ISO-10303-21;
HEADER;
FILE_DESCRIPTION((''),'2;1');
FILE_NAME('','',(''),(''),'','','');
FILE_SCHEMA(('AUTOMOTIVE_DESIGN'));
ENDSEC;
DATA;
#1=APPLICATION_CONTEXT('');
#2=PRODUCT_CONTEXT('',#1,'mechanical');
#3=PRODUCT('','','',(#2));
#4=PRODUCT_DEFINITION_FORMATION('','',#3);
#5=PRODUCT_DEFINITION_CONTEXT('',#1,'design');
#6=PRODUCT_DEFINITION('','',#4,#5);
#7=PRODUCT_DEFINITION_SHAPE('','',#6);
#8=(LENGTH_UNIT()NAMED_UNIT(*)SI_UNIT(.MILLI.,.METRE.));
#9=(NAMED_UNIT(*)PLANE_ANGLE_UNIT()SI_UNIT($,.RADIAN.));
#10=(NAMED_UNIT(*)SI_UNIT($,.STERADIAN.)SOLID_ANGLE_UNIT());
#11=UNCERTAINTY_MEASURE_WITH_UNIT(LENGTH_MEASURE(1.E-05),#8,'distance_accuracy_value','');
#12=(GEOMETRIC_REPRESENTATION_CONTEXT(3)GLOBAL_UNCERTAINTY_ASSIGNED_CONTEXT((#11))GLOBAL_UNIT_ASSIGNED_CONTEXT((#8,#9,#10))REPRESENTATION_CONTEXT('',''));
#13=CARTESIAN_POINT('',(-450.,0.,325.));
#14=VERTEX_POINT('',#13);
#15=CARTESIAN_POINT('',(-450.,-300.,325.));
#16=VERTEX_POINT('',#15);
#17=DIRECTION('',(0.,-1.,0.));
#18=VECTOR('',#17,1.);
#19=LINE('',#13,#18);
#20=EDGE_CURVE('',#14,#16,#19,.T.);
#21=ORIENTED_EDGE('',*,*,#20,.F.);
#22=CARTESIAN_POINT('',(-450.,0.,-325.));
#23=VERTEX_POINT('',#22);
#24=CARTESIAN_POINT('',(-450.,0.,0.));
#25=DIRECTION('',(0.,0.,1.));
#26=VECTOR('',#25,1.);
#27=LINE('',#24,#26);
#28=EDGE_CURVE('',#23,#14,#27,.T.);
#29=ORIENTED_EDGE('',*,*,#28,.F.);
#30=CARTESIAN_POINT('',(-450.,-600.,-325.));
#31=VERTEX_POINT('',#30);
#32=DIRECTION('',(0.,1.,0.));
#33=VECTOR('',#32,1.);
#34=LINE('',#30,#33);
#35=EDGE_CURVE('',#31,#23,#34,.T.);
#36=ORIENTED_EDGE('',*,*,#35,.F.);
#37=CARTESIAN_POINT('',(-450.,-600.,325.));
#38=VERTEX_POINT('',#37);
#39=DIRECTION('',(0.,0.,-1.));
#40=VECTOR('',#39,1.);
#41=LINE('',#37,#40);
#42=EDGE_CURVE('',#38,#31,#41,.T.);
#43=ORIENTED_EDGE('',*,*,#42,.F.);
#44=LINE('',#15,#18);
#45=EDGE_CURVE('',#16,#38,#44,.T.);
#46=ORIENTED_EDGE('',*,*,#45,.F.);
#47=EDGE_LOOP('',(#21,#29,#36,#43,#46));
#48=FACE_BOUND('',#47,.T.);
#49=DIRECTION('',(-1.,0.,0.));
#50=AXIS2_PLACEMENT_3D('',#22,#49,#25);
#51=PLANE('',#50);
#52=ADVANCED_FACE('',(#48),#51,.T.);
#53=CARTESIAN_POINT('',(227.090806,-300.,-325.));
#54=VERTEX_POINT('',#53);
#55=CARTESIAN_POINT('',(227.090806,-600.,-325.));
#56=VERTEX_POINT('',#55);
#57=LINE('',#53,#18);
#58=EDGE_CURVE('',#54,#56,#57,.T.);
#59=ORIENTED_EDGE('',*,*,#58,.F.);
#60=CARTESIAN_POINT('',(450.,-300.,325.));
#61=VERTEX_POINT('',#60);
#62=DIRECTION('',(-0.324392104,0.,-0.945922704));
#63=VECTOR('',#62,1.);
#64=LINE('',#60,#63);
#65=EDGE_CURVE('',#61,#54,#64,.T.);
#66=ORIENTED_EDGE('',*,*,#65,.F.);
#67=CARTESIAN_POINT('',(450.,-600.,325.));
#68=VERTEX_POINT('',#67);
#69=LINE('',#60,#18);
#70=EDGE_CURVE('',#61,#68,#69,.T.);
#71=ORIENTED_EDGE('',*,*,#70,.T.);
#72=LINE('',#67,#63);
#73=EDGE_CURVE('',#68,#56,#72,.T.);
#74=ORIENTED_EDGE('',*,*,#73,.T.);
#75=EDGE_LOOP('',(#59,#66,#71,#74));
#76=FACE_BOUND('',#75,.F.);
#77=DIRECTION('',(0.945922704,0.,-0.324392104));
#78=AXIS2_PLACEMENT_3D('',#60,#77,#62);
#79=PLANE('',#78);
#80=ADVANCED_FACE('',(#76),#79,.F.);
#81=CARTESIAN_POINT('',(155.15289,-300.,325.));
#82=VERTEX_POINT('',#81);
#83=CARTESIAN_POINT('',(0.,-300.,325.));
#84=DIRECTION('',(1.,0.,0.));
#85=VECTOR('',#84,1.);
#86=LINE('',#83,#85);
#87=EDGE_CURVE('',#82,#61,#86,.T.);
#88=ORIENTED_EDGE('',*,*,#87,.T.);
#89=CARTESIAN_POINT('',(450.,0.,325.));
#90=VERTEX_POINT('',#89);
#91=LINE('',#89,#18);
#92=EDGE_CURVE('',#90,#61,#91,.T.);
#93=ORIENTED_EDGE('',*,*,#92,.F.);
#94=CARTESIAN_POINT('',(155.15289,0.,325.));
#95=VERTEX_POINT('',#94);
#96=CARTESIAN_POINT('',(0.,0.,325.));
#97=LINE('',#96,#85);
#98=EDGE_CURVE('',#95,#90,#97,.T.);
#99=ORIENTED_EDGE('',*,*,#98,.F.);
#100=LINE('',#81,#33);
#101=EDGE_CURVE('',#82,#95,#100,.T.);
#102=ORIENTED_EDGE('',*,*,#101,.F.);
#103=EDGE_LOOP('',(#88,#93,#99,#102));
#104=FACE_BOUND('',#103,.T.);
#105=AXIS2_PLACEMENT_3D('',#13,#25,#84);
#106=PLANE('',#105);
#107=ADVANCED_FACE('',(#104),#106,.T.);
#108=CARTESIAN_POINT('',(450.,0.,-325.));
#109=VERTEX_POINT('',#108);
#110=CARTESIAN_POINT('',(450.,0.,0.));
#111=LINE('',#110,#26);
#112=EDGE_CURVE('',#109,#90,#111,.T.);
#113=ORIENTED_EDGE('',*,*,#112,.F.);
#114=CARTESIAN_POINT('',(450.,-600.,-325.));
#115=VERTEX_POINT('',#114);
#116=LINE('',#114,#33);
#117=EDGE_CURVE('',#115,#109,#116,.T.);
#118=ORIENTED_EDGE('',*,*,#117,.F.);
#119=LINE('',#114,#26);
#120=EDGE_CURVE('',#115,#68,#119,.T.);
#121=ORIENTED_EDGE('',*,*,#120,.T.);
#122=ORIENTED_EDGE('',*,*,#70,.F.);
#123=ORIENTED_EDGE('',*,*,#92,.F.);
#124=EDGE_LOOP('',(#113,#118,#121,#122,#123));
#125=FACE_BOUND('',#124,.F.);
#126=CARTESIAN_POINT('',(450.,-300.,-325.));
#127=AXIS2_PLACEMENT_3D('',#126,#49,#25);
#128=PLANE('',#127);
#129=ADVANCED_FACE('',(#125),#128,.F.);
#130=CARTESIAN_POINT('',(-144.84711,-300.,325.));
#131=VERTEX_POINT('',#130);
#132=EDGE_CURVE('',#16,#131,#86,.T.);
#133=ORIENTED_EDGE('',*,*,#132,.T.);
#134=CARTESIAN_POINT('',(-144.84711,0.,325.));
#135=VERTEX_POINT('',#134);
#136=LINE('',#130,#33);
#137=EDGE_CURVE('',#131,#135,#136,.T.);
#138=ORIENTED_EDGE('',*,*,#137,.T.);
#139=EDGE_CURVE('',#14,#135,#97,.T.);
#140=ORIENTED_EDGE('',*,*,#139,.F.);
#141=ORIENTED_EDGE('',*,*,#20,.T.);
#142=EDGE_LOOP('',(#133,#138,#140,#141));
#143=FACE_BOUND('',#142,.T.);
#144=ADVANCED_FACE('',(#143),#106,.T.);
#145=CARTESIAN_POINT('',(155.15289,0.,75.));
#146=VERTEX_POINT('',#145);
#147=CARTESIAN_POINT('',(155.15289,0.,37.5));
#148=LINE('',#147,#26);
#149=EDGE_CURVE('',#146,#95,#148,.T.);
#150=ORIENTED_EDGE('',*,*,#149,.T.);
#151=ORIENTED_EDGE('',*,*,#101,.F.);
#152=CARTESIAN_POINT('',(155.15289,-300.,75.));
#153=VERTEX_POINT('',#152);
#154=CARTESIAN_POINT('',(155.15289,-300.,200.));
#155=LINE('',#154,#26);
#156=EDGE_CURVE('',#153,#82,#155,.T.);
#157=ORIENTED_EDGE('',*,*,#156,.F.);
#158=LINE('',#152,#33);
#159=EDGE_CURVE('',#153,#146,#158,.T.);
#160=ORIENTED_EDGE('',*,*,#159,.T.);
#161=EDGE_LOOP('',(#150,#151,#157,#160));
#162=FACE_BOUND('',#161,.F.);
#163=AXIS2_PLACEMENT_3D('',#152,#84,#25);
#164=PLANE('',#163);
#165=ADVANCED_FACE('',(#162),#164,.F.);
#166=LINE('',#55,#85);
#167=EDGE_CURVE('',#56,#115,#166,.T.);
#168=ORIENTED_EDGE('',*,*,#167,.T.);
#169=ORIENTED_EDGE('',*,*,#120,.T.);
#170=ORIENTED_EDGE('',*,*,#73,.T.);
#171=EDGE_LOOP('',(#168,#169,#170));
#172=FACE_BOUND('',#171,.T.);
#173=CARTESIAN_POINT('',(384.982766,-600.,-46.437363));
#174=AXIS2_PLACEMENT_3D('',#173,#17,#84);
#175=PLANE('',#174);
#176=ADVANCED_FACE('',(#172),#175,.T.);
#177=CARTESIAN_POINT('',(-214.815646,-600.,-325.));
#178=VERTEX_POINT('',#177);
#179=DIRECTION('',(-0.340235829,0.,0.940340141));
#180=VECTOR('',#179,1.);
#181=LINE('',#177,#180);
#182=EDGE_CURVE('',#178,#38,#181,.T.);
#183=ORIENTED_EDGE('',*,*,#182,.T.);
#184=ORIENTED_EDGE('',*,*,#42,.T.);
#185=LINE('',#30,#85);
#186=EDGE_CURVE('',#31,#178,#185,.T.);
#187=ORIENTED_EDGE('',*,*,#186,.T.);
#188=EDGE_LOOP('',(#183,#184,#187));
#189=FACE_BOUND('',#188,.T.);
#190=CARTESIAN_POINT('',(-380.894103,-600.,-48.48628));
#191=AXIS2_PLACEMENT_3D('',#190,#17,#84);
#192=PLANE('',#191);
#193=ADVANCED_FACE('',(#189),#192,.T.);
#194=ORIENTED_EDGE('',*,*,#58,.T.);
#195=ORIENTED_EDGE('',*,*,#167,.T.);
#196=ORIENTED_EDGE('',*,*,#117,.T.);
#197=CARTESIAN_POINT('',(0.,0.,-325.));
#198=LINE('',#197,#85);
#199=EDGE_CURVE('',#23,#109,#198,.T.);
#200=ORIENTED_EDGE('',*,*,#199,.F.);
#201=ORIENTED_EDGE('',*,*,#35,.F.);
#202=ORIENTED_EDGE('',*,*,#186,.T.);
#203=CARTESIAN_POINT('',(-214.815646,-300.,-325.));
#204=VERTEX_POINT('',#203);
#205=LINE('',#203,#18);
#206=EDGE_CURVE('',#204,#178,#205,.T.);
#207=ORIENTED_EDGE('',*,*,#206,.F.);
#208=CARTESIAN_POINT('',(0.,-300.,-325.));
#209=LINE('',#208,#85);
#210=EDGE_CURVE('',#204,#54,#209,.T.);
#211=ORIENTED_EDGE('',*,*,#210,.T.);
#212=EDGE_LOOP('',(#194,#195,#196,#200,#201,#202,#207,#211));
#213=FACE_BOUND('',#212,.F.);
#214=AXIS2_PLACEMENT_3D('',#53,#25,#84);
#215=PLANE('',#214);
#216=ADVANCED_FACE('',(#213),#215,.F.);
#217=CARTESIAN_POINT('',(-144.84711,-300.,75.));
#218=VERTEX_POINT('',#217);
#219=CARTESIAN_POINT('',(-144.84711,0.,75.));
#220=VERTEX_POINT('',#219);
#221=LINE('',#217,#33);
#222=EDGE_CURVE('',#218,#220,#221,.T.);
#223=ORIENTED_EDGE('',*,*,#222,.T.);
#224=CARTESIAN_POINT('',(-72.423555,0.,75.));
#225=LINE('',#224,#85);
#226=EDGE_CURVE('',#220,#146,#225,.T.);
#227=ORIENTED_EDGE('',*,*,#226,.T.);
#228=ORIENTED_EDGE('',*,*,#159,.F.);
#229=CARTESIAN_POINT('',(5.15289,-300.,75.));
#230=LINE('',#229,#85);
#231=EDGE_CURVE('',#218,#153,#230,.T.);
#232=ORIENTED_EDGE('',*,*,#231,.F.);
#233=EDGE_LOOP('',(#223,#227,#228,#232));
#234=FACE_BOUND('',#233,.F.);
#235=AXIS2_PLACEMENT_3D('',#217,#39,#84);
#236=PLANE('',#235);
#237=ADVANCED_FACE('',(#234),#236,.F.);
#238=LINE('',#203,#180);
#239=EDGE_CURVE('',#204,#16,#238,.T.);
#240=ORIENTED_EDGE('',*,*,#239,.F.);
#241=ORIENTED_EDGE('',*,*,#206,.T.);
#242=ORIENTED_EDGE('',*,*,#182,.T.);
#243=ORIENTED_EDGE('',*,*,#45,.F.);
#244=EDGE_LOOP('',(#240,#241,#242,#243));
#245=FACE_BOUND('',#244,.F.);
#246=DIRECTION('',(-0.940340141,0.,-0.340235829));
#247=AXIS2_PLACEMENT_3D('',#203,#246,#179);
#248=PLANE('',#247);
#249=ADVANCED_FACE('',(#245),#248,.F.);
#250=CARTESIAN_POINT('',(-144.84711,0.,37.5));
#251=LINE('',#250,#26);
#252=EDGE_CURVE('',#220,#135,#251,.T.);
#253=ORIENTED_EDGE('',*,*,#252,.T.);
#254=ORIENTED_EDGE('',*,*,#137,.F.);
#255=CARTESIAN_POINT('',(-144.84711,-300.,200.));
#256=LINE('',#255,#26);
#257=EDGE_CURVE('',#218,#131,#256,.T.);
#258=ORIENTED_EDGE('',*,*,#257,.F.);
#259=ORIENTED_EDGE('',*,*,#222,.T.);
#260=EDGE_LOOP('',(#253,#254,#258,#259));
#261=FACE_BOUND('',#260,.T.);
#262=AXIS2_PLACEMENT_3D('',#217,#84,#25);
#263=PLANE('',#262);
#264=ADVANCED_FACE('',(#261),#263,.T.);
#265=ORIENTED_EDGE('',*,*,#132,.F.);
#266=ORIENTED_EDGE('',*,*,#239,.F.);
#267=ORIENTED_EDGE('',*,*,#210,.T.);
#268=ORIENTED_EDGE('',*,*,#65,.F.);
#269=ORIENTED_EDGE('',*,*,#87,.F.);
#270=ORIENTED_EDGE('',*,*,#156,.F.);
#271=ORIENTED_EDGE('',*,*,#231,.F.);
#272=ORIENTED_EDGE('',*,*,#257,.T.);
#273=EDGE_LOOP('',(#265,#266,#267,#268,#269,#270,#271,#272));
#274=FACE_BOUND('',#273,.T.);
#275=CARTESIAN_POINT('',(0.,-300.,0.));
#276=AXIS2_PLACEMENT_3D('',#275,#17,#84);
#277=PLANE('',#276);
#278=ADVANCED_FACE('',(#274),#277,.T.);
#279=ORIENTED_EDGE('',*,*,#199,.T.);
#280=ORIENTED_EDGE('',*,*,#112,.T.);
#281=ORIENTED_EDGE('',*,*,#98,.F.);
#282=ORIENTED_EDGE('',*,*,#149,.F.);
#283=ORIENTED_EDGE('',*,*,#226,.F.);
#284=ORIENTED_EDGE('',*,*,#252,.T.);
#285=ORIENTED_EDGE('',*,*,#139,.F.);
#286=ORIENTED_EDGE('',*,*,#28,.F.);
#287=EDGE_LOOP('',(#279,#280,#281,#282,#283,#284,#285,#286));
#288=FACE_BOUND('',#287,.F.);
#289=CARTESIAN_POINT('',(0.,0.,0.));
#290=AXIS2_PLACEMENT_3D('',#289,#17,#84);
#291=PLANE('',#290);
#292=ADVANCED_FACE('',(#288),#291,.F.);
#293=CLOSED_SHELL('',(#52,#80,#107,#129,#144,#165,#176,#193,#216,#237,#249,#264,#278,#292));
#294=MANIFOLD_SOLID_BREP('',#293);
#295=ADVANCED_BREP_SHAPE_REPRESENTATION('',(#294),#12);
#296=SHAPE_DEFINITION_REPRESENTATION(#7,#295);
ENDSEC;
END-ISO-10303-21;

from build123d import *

# Parameters (mm, degrees)
F0_W     = 900
F0_H     = 650
F1_DEPTH = 300
F3_DEPTH = 300
F4_W     = 300
F4_H     = 250
F5_DEPTH = 300.001


with BuildPart() as f1:
    # F0 (on Front) → F1 (new body)
    with BuildSketch(Plane.XZ):
        Rectangle(F0_W, F0_H)
    extrude(amount=F1_DEPTH)

    # F2 (on face) → F3 (join)
    with BuildSketch(Plane.XZ.offset(300)):
        Polygon((450, -325), (450, 325), (227.090806, -325), align=None)
        Polygon((-214.815646, -325), (-450, 325), (-450, -325), align=None)
    extrude(amount=F3_DEPTH)

    # F4 (on face) → F5 (cut, through all)
    with BuildSketch(Plane.XZ.offset(300)):
        with Locations((5.15289, 200)):
            Rectangle(F4_W, F4_H)
    extrude(amount=-F5_DEPTH, mode=Mode.SUBTRACT)


solid = f1.part
